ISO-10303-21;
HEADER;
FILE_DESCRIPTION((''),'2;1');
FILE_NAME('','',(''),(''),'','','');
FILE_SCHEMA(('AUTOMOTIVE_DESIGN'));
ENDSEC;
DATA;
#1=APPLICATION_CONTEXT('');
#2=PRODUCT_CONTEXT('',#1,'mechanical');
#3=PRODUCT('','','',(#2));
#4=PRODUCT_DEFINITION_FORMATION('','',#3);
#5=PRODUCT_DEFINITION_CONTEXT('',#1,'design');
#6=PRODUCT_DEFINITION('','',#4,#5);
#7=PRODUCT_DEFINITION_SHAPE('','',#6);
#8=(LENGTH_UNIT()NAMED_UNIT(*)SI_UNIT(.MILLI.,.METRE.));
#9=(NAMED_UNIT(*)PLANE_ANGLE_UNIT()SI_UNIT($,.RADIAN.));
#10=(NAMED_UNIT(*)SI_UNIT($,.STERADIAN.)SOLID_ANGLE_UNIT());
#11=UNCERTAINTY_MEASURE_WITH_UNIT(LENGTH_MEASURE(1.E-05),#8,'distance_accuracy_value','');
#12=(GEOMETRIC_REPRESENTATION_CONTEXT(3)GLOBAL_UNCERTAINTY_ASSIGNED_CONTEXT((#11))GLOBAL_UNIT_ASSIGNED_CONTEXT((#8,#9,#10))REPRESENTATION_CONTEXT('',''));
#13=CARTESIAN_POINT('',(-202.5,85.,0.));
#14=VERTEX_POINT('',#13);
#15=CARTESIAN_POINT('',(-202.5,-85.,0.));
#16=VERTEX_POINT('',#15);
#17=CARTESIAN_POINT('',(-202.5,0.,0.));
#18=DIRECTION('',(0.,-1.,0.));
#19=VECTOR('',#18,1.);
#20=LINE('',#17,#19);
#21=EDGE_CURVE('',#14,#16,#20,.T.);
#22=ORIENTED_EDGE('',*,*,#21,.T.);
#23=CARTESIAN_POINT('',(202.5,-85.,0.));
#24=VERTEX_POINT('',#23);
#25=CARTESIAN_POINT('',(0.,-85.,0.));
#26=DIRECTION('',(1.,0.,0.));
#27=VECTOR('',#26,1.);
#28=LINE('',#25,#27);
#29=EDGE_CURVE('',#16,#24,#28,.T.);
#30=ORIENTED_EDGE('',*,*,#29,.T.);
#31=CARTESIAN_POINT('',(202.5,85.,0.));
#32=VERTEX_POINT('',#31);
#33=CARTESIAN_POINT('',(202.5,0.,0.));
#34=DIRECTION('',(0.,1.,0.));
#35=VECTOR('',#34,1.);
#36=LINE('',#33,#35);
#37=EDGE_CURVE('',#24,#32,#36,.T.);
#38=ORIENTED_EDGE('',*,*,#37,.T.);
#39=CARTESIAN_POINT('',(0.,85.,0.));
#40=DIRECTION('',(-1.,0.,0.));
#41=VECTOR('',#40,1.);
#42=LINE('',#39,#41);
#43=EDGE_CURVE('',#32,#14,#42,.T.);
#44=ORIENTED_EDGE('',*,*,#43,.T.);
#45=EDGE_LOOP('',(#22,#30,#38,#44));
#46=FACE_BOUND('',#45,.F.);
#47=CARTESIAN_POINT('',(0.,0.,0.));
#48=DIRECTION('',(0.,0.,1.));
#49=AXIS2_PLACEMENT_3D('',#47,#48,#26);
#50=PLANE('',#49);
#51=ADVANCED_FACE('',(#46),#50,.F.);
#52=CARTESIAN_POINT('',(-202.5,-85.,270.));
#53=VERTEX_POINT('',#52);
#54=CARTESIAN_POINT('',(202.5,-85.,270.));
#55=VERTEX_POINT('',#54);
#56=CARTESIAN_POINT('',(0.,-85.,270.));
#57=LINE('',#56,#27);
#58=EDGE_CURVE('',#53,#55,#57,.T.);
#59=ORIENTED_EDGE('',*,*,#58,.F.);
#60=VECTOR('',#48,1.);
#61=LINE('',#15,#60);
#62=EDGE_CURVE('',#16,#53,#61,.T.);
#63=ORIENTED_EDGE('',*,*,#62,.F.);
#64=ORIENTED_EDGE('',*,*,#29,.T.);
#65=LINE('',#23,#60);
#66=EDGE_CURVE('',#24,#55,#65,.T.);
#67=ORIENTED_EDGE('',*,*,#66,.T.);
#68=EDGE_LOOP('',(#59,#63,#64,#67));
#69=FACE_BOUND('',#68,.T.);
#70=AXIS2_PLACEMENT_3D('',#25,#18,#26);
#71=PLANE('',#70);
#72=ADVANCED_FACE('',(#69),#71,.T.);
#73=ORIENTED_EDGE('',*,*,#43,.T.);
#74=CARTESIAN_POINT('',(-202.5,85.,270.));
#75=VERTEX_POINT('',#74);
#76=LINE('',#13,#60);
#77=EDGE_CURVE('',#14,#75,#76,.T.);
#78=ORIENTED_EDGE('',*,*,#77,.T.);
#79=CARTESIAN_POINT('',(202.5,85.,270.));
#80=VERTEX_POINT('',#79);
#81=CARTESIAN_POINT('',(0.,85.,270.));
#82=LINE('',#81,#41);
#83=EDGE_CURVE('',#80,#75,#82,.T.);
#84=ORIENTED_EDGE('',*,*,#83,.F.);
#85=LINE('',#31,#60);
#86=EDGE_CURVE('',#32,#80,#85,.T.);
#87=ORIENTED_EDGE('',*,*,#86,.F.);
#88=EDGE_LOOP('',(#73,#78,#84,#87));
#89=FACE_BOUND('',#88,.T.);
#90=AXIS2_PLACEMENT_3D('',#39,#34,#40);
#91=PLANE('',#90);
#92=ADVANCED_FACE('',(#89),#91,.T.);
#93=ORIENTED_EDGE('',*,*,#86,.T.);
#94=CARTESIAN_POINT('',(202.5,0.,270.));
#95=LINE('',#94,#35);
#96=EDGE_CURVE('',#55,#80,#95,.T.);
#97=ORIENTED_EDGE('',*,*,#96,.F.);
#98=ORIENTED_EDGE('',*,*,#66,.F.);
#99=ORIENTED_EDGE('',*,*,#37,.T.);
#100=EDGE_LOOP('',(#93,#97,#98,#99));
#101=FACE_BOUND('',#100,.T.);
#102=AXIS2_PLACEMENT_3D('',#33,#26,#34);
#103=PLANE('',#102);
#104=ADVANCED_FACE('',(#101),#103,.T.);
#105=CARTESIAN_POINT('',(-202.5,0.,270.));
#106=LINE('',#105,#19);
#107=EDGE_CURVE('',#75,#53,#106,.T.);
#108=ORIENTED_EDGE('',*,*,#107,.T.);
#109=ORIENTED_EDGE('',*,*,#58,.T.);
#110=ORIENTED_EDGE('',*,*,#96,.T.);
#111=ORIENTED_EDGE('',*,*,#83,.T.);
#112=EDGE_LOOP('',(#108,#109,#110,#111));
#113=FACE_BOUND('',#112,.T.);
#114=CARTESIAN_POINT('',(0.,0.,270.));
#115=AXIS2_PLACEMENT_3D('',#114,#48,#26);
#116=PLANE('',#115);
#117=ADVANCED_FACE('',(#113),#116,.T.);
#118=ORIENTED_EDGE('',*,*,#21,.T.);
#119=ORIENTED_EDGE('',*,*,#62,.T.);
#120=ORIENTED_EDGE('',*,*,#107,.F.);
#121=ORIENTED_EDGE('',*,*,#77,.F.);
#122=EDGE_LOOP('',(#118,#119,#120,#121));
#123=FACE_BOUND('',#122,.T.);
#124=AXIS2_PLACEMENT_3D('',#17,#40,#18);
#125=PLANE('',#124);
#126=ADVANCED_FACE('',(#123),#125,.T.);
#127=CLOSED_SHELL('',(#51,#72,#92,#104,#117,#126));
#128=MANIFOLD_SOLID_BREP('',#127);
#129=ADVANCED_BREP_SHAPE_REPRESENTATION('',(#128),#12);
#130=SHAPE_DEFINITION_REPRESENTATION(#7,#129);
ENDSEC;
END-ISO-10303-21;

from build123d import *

# Parameters (mm, degrees)
F0_W = 405
F0_H = 170


with BuildPart() as f2:
    # F2: sweep along a path in F1
    with BuildLine(Plane.XZ) as f2_path:
        Line((0, 0), (0, 270))
    # F0 (on Top) → F2 (sweep)
    with BuildSketch(Plane.XY):
        Rectangle(F0_W, F0_H)
    sweep(path=f2_path.line)


solid = f2.part
